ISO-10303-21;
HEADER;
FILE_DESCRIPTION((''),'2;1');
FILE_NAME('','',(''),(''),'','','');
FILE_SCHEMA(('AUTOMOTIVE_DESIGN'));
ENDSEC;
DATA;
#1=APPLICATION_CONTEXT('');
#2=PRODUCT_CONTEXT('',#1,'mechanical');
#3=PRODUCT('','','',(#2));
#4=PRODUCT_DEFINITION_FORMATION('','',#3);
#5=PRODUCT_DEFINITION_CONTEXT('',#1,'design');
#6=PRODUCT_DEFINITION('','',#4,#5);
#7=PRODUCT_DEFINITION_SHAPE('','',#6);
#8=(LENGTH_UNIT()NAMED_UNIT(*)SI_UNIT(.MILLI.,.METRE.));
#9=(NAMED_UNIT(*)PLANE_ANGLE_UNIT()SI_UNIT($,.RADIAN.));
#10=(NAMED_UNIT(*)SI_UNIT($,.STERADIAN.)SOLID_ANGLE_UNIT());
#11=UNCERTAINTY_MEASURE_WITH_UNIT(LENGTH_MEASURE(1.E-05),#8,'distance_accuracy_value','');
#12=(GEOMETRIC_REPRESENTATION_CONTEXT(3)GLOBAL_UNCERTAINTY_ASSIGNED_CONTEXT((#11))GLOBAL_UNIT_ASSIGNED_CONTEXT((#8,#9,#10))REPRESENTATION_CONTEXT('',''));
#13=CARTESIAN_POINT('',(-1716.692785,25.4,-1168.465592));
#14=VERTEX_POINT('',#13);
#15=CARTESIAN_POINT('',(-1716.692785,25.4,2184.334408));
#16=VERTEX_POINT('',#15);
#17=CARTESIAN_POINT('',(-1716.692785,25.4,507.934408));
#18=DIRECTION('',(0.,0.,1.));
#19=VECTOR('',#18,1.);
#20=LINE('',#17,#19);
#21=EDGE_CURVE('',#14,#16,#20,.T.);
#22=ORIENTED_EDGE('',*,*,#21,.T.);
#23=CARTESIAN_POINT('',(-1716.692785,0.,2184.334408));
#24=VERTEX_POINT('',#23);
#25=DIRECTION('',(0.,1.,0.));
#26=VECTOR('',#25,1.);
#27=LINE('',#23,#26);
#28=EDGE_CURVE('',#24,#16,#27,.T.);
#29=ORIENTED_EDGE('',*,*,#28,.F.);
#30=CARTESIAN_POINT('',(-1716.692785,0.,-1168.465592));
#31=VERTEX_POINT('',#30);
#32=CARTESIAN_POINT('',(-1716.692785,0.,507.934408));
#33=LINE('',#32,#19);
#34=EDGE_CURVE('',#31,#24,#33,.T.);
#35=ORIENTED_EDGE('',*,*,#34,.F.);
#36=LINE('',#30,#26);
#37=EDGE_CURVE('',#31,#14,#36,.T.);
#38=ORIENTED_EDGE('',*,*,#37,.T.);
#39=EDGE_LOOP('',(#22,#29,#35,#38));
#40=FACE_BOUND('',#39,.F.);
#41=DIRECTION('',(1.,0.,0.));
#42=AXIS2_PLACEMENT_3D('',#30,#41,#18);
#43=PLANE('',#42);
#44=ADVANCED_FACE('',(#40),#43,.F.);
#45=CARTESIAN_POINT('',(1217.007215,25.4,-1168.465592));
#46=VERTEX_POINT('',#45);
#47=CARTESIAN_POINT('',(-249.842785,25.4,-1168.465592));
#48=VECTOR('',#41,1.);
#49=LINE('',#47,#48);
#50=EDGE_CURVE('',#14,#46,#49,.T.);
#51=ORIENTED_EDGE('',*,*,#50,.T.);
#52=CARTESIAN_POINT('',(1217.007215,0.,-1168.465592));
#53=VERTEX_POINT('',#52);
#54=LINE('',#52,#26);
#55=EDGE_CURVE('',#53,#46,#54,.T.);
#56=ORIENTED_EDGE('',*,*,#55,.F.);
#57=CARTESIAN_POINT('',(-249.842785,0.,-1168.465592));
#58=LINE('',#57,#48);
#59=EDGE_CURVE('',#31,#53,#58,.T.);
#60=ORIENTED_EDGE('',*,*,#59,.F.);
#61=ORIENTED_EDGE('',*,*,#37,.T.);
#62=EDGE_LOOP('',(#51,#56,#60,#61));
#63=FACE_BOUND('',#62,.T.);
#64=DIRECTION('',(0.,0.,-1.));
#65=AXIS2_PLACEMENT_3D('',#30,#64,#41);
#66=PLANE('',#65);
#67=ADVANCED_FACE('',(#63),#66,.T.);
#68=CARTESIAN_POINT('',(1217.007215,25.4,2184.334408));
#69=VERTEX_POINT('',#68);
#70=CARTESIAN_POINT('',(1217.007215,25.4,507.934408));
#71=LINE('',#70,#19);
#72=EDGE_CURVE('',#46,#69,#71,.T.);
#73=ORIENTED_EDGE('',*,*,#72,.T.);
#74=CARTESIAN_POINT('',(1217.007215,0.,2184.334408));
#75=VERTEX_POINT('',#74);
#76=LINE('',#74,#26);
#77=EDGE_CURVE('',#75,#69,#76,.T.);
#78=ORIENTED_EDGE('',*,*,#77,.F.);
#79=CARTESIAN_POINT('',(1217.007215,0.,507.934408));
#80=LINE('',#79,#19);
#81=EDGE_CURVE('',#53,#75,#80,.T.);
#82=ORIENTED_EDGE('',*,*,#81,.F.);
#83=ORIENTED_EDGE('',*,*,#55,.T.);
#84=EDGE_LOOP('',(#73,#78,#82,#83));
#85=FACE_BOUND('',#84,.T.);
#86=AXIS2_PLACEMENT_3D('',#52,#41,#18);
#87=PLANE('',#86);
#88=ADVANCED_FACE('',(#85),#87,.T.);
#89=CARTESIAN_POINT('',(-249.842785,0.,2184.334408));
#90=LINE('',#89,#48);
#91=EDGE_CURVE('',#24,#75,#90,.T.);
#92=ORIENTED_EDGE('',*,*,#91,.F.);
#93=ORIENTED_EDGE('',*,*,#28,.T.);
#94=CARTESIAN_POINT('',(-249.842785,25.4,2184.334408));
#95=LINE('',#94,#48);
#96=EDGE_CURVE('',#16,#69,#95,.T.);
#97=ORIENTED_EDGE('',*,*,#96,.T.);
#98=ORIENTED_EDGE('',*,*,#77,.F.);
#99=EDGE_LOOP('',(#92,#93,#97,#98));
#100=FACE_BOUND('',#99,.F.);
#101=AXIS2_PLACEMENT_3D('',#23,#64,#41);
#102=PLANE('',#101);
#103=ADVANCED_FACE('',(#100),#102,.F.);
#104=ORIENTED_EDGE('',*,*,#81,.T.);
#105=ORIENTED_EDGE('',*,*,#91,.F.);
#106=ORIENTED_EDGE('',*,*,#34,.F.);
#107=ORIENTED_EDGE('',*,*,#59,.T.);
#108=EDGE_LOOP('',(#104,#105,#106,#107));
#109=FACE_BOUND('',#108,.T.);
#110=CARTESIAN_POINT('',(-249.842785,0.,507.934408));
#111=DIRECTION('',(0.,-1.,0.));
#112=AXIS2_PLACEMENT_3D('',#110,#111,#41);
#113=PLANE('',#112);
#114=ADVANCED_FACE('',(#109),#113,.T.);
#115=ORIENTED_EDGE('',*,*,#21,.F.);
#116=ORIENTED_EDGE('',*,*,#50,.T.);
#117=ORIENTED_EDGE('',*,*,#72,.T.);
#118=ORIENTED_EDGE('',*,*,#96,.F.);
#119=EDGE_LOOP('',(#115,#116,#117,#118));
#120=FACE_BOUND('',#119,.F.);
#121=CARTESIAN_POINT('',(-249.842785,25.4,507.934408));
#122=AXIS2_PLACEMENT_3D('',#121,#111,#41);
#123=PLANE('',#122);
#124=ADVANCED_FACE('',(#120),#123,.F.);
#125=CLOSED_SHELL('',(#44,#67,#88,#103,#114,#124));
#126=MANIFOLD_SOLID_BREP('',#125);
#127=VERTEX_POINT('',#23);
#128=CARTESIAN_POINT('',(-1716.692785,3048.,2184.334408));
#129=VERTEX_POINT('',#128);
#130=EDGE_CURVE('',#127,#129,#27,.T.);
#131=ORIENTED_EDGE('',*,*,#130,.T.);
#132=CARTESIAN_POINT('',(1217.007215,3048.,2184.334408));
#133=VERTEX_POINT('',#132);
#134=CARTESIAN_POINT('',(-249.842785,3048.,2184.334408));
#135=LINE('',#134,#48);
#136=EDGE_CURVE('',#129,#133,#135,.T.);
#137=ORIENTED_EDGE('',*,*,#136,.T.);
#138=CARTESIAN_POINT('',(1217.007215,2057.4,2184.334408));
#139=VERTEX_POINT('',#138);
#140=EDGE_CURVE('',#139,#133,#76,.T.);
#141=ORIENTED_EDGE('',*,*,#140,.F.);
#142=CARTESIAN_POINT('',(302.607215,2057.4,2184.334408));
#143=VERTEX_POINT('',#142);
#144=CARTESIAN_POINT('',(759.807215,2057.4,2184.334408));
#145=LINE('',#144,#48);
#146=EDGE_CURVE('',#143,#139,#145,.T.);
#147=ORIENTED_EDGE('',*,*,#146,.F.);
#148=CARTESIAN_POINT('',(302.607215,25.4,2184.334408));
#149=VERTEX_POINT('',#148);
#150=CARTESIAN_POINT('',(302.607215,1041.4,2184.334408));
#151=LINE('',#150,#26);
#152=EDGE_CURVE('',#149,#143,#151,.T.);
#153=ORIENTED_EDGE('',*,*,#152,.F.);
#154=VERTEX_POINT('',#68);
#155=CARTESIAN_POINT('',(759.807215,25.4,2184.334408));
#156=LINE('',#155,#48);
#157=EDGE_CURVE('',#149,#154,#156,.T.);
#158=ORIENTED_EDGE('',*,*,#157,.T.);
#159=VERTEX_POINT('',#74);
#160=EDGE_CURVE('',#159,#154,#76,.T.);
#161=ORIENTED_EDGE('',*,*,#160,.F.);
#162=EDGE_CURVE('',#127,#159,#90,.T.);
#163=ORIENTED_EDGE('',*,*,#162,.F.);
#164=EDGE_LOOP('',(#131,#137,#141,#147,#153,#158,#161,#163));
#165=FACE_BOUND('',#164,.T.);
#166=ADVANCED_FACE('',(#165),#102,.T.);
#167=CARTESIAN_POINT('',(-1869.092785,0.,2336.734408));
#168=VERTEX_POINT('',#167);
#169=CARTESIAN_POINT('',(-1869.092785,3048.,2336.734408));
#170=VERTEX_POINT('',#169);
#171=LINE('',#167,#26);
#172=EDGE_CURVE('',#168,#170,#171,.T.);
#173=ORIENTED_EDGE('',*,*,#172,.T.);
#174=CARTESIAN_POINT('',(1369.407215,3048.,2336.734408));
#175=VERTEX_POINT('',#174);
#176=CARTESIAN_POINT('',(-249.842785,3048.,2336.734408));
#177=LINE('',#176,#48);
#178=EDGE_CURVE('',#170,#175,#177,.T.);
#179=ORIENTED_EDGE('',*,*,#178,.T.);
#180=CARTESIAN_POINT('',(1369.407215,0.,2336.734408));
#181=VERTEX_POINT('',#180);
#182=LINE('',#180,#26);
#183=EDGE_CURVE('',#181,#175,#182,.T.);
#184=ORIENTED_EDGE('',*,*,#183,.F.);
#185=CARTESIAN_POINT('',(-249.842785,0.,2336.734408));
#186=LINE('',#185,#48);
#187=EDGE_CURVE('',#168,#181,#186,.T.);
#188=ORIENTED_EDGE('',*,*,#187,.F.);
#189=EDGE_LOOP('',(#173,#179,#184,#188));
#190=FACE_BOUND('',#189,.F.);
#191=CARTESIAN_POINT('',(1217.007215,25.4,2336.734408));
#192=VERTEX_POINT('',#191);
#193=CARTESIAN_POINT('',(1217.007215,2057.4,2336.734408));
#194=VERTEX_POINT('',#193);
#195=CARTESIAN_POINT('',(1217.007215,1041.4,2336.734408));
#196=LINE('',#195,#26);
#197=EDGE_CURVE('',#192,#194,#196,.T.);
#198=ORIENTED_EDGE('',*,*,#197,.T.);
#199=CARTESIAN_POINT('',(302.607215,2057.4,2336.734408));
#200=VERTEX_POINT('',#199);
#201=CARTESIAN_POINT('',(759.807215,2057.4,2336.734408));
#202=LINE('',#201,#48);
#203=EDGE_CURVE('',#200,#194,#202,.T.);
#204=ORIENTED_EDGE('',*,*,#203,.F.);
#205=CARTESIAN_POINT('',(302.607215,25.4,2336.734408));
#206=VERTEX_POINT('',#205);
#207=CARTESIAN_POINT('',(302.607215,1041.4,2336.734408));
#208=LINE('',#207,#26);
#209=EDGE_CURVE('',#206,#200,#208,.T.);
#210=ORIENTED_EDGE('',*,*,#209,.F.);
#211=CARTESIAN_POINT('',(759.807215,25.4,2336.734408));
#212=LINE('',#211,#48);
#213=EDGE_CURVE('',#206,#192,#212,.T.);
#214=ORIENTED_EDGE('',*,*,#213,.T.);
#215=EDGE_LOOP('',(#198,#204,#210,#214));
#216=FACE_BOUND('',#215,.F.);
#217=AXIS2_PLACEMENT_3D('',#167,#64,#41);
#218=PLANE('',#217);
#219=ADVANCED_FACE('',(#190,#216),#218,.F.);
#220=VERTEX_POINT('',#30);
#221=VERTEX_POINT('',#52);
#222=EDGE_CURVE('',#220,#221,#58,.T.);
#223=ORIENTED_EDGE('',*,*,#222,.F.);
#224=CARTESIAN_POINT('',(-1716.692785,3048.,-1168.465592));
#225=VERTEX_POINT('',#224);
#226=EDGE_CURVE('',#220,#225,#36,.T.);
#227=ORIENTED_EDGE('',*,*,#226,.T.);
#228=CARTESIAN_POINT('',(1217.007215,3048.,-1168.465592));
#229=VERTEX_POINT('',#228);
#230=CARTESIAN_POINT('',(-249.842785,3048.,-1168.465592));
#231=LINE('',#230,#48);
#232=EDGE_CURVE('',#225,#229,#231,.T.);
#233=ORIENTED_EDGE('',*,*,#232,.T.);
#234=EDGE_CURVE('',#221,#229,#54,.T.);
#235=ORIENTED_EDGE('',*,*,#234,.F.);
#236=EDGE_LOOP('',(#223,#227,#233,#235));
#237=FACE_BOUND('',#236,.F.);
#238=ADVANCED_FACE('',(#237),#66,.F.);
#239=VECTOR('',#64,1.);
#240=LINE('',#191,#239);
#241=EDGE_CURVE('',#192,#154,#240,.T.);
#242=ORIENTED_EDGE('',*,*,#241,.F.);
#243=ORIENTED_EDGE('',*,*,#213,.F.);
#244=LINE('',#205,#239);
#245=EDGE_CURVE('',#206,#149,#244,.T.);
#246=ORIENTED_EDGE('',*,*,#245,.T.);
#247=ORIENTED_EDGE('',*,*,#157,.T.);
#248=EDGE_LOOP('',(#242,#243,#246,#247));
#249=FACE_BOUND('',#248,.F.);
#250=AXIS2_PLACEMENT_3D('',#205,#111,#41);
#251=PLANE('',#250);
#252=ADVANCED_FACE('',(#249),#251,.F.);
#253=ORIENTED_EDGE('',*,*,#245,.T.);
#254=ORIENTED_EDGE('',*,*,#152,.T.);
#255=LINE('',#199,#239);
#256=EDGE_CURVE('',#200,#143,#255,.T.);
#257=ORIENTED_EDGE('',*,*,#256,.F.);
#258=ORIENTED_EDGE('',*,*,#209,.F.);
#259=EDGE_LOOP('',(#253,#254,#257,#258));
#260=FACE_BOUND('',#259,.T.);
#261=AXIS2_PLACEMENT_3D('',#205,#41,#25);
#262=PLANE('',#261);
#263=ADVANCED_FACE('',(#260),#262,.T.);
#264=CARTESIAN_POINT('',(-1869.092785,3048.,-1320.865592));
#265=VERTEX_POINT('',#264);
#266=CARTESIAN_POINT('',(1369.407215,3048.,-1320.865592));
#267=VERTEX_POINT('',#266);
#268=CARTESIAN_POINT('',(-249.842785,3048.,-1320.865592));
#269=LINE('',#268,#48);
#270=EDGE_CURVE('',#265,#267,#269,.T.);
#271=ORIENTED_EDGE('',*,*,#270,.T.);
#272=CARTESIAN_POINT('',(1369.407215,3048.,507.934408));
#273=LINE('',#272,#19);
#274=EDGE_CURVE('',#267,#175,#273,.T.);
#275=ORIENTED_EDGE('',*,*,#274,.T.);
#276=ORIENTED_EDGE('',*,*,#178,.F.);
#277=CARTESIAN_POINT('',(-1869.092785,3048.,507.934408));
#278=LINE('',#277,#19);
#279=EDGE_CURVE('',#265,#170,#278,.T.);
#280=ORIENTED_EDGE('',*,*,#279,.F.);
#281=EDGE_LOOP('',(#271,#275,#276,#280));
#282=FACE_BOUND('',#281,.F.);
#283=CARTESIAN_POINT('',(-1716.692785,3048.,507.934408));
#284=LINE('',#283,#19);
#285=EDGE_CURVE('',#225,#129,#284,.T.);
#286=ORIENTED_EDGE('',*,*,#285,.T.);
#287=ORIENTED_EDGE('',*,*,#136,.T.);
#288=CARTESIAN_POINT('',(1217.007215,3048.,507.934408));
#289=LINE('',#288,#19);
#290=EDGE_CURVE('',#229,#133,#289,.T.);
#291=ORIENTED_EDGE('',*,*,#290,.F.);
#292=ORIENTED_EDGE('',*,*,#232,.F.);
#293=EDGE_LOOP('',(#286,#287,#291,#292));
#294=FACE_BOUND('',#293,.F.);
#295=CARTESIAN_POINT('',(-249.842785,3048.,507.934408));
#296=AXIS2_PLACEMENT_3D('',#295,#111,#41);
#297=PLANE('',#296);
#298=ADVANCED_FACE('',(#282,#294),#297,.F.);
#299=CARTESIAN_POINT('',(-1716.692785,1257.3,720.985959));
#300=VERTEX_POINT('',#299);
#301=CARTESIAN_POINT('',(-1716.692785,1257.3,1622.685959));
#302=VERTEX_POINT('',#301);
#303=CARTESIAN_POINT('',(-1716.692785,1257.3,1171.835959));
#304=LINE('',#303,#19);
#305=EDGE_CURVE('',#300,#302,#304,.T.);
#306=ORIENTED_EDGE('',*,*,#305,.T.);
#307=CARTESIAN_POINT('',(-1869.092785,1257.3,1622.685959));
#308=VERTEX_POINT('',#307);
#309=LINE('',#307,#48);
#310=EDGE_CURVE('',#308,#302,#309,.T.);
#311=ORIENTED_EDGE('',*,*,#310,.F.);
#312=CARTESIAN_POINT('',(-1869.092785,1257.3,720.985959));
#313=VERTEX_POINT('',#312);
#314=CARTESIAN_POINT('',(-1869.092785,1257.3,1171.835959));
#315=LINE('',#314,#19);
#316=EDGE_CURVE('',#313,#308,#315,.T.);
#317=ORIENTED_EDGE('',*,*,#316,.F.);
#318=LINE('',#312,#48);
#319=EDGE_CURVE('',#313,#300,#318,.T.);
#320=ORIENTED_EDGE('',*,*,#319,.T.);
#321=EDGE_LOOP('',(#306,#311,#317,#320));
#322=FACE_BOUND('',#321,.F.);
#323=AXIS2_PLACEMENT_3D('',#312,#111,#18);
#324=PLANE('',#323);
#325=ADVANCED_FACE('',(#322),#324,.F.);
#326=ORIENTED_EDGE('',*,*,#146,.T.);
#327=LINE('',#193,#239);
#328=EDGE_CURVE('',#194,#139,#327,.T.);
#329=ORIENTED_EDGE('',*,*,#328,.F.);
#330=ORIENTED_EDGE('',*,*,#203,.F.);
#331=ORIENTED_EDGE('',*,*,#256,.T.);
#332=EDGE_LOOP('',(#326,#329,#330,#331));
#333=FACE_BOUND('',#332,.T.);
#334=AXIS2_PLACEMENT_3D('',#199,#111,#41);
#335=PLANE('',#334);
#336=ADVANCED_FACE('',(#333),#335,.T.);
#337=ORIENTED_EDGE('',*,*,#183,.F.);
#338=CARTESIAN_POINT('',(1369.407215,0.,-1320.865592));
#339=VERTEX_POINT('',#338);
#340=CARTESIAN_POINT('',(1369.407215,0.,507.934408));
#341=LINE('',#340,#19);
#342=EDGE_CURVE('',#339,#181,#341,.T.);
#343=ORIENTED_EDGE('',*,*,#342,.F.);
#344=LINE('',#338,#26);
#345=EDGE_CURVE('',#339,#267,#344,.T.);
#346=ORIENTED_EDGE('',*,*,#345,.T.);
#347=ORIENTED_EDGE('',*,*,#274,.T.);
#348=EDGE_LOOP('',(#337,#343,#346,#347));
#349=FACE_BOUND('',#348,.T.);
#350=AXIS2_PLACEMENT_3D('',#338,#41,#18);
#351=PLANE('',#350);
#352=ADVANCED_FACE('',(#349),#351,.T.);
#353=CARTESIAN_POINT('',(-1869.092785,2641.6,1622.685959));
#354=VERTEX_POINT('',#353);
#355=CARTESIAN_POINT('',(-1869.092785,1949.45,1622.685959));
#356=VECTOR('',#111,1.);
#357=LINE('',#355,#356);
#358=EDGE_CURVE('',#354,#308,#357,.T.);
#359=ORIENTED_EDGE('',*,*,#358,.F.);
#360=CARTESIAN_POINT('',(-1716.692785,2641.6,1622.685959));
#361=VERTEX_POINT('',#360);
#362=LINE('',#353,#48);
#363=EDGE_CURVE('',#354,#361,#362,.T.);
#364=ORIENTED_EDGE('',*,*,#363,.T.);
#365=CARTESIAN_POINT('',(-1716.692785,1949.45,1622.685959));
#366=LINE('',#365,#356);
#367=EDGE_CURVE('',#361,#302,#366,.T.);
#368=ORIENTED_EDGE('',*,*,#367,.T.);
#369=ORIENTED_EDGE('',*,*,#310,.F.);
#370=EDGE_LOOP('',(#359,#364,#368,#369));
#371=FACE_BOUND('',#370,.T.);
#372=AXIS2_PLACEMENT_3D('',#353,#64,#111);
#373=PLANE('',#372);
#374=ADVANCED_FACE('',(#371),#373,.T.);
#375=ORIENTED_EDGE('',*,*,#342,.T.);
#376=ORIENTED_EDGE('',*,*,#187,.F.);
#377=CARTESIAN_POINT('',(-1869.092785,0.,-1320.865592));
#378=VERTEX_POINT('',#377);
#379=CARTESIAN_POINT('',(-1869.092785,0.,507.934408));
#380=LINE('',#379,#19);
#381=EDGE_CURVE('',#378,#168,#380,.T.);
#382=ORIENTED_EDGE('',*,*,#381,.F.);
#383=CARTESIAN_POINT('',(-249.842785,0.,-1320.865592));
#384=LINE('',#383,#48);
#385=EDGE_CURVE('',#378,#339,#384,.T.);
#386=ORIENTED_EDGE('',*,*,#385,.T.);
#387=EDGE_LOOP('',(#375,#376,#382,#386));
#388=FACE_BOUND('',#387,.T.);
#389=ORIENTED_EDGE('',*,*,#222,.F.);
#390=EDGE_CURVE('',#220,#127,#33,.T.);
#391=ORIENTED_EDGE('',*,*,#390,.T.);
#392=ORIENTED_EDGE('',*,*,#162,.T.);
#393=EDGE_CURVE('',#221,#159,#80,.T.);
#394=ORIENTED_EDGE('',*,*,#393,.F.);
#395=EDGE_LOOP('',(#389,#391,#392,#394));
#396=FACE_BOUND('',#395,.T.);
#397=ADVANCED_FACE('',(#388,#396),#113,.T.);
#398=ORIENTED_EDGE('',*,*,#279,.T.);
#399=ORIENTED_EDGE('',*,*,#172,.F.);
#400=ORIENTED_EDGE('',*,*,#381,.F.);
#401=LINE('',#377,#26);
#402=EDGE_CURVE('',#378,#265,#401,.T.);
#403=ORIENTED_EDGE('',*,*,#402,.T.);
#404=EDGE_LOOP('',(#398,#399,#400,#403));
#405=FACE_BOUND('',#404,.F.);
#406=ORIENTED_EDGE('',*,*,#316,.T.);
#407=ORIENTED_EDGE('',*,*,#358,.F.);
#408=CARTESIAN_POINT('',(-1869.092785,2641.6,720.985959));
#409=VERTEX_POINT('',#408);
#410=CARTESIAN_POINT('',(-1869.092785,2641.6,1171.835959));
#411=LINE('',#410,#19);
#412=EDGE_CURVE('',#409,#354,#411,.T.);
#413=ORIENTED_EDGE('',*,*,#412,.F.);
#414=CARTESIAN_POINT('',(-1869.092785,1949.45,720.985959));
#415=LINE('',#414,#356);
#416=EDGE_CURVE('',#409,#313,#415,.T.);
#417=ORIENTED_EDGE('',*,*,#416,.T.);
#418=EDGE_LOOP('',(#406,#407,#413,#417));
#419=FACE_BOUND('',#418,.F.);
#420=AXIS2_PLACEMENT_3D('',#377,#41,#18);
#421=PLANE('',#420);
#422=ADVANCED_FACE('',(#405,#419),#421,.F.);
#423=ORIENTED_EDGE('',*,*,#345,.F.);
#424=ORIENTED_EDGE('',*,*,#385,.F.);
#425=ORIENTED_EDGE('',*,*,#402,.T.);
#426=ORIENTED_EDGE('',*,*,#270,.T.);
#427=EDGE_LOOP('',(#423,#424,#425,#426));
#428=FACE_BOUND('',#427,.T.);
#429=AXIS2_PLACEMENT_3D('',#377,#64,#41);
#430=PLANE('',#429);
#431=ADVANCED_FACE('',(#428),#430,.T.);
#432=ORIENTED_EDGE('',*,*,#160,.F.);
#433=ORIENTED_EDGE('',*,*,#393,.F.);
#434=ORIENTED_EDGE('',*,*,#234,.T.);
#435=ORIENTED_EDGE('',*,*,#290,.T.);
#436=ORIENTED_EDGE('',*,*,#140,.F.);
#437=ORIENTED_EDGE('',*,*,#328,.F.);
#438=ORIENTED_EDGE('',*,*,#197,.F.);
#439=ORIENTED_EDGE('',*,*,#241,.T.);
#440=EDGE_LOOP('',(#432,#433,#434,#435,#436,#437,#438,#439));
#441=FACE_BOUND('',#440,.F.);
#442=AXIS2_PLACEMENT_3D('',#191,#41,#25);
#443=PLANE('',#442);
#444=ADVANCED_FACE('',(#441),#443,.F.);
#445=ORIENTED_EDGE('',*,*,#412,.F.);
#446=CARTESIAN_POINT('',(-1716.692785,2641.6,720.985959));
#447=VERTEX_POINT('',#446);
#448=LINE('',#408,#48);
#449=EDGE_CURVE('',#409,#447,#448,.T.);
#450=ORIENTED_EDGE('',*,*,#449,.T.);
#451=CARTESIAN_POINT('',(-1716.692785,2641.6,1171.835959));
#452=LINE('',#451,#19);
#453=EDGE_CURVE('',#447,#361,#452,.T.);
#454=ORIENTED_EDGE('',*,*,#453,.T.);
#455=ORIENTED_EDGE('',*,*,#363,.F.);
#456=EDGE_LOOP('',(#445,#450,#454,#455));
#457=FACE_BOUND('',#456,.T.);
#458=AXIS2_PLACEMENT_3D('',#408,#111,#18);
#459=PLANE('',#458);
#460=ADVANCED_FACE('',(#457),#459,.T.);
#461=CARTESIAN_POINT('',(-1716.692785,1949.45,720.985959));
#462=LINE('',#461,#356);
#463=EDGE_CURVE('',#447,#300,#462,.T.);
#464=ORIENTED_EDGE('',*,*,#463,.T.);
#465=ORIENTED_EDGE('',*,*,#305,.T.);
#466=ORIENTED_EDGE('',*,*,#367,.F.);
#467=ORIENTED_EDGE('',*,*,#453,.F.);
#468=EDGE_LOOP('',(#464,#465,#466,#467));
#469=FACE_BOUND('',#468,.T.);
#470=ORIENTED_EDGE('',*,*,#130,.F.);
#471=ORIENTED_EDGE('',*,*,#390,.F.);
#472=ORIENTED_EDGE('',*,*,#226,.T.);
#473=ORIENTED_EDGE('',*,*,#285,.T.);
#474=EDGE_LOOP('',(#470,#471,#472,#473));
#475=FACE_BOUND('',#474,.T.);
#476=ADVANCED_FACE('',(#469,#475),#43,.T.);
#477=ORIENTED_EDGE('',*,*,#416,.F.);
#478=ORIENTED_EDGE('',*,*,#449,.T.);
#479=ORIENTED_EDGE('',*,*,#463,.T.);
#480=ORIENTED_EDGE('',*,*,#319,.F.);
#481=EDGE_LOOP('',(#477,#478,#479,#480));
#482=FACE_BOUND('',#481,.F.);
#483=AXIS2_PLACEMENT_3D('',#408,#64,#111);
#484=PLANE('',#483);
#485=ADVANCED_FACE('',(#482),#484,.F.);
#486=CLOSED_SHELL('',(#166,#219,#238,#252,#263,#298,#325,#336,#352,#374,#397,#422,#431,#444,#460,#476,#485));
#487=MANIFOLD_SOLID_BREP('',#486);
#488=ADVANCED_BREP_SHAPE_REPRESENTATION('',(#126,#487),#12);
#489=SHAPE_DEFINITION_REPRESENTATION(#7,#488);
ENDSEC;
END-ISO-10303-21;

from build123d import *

# Parameters (mm, degrees)
F0_W     = 2933.7
F0_H     = 3352.8
F1_DEPTH = 25.4
F0_W_2   = 3238.5
F0_H_2   = 3657.6
F2_DEPTH = 3048
F3_W     = 914.4
F3_H     = 2032
F4_DEPTH = 152.4
F5_W     = 1384.3
F5_H     = 901.7
F6_DEPTH = 152.4


with BuildPart() as f1:
    # F0 (on Front) → F1 (new body)
    with BuildSketch(Plane.XZ):
        with Locations((-249.842785, 507.934408)):
            Rectangle(F0_W, F0_H)
    extrude(amount=-F1_DEPTH)


with BuildPart() as f2:
    # F0 (on Front) → F2 (new body)
    with BuildSketch(Plane.XZ):
        with Locations((-249.842785, 507.934408)):
            Rectangle(F0_W_2, F0_H_2)
        with Locations((-249.842785, 507.934408)):
            Rectangle(F0_W, F0_H, mode=Mode.SUBTRACT)
    extrude(amount=-F2_DEPTH)

    # F3 (on face) → F4 (cut, through all)
    with BuildSketch(Plane.XY.offset(2336.734408)):
        with Locations((759.807215, 1041.4)):
            Rectangle(F3_W, F3_H)
    extrude(amount=-F4_DEPTH, mode=Mode.SUBTRACT)

    # F5 (on face) → F6 (cut, through all)
    with BuildSketch(Plane(origin=(-1869.092785, 0, 0), x_dir=(0, -1, 0), z_dir=(-1, 0, 0))):
        with Locations((-1949.45, 1171.835959)):
            Rectangle(F5_W, F5_H)
    extrude(amount=-F6_DEPTH, mode=Mode.SUBTRACT)


solid = Compound([f1.part, f2.part])
